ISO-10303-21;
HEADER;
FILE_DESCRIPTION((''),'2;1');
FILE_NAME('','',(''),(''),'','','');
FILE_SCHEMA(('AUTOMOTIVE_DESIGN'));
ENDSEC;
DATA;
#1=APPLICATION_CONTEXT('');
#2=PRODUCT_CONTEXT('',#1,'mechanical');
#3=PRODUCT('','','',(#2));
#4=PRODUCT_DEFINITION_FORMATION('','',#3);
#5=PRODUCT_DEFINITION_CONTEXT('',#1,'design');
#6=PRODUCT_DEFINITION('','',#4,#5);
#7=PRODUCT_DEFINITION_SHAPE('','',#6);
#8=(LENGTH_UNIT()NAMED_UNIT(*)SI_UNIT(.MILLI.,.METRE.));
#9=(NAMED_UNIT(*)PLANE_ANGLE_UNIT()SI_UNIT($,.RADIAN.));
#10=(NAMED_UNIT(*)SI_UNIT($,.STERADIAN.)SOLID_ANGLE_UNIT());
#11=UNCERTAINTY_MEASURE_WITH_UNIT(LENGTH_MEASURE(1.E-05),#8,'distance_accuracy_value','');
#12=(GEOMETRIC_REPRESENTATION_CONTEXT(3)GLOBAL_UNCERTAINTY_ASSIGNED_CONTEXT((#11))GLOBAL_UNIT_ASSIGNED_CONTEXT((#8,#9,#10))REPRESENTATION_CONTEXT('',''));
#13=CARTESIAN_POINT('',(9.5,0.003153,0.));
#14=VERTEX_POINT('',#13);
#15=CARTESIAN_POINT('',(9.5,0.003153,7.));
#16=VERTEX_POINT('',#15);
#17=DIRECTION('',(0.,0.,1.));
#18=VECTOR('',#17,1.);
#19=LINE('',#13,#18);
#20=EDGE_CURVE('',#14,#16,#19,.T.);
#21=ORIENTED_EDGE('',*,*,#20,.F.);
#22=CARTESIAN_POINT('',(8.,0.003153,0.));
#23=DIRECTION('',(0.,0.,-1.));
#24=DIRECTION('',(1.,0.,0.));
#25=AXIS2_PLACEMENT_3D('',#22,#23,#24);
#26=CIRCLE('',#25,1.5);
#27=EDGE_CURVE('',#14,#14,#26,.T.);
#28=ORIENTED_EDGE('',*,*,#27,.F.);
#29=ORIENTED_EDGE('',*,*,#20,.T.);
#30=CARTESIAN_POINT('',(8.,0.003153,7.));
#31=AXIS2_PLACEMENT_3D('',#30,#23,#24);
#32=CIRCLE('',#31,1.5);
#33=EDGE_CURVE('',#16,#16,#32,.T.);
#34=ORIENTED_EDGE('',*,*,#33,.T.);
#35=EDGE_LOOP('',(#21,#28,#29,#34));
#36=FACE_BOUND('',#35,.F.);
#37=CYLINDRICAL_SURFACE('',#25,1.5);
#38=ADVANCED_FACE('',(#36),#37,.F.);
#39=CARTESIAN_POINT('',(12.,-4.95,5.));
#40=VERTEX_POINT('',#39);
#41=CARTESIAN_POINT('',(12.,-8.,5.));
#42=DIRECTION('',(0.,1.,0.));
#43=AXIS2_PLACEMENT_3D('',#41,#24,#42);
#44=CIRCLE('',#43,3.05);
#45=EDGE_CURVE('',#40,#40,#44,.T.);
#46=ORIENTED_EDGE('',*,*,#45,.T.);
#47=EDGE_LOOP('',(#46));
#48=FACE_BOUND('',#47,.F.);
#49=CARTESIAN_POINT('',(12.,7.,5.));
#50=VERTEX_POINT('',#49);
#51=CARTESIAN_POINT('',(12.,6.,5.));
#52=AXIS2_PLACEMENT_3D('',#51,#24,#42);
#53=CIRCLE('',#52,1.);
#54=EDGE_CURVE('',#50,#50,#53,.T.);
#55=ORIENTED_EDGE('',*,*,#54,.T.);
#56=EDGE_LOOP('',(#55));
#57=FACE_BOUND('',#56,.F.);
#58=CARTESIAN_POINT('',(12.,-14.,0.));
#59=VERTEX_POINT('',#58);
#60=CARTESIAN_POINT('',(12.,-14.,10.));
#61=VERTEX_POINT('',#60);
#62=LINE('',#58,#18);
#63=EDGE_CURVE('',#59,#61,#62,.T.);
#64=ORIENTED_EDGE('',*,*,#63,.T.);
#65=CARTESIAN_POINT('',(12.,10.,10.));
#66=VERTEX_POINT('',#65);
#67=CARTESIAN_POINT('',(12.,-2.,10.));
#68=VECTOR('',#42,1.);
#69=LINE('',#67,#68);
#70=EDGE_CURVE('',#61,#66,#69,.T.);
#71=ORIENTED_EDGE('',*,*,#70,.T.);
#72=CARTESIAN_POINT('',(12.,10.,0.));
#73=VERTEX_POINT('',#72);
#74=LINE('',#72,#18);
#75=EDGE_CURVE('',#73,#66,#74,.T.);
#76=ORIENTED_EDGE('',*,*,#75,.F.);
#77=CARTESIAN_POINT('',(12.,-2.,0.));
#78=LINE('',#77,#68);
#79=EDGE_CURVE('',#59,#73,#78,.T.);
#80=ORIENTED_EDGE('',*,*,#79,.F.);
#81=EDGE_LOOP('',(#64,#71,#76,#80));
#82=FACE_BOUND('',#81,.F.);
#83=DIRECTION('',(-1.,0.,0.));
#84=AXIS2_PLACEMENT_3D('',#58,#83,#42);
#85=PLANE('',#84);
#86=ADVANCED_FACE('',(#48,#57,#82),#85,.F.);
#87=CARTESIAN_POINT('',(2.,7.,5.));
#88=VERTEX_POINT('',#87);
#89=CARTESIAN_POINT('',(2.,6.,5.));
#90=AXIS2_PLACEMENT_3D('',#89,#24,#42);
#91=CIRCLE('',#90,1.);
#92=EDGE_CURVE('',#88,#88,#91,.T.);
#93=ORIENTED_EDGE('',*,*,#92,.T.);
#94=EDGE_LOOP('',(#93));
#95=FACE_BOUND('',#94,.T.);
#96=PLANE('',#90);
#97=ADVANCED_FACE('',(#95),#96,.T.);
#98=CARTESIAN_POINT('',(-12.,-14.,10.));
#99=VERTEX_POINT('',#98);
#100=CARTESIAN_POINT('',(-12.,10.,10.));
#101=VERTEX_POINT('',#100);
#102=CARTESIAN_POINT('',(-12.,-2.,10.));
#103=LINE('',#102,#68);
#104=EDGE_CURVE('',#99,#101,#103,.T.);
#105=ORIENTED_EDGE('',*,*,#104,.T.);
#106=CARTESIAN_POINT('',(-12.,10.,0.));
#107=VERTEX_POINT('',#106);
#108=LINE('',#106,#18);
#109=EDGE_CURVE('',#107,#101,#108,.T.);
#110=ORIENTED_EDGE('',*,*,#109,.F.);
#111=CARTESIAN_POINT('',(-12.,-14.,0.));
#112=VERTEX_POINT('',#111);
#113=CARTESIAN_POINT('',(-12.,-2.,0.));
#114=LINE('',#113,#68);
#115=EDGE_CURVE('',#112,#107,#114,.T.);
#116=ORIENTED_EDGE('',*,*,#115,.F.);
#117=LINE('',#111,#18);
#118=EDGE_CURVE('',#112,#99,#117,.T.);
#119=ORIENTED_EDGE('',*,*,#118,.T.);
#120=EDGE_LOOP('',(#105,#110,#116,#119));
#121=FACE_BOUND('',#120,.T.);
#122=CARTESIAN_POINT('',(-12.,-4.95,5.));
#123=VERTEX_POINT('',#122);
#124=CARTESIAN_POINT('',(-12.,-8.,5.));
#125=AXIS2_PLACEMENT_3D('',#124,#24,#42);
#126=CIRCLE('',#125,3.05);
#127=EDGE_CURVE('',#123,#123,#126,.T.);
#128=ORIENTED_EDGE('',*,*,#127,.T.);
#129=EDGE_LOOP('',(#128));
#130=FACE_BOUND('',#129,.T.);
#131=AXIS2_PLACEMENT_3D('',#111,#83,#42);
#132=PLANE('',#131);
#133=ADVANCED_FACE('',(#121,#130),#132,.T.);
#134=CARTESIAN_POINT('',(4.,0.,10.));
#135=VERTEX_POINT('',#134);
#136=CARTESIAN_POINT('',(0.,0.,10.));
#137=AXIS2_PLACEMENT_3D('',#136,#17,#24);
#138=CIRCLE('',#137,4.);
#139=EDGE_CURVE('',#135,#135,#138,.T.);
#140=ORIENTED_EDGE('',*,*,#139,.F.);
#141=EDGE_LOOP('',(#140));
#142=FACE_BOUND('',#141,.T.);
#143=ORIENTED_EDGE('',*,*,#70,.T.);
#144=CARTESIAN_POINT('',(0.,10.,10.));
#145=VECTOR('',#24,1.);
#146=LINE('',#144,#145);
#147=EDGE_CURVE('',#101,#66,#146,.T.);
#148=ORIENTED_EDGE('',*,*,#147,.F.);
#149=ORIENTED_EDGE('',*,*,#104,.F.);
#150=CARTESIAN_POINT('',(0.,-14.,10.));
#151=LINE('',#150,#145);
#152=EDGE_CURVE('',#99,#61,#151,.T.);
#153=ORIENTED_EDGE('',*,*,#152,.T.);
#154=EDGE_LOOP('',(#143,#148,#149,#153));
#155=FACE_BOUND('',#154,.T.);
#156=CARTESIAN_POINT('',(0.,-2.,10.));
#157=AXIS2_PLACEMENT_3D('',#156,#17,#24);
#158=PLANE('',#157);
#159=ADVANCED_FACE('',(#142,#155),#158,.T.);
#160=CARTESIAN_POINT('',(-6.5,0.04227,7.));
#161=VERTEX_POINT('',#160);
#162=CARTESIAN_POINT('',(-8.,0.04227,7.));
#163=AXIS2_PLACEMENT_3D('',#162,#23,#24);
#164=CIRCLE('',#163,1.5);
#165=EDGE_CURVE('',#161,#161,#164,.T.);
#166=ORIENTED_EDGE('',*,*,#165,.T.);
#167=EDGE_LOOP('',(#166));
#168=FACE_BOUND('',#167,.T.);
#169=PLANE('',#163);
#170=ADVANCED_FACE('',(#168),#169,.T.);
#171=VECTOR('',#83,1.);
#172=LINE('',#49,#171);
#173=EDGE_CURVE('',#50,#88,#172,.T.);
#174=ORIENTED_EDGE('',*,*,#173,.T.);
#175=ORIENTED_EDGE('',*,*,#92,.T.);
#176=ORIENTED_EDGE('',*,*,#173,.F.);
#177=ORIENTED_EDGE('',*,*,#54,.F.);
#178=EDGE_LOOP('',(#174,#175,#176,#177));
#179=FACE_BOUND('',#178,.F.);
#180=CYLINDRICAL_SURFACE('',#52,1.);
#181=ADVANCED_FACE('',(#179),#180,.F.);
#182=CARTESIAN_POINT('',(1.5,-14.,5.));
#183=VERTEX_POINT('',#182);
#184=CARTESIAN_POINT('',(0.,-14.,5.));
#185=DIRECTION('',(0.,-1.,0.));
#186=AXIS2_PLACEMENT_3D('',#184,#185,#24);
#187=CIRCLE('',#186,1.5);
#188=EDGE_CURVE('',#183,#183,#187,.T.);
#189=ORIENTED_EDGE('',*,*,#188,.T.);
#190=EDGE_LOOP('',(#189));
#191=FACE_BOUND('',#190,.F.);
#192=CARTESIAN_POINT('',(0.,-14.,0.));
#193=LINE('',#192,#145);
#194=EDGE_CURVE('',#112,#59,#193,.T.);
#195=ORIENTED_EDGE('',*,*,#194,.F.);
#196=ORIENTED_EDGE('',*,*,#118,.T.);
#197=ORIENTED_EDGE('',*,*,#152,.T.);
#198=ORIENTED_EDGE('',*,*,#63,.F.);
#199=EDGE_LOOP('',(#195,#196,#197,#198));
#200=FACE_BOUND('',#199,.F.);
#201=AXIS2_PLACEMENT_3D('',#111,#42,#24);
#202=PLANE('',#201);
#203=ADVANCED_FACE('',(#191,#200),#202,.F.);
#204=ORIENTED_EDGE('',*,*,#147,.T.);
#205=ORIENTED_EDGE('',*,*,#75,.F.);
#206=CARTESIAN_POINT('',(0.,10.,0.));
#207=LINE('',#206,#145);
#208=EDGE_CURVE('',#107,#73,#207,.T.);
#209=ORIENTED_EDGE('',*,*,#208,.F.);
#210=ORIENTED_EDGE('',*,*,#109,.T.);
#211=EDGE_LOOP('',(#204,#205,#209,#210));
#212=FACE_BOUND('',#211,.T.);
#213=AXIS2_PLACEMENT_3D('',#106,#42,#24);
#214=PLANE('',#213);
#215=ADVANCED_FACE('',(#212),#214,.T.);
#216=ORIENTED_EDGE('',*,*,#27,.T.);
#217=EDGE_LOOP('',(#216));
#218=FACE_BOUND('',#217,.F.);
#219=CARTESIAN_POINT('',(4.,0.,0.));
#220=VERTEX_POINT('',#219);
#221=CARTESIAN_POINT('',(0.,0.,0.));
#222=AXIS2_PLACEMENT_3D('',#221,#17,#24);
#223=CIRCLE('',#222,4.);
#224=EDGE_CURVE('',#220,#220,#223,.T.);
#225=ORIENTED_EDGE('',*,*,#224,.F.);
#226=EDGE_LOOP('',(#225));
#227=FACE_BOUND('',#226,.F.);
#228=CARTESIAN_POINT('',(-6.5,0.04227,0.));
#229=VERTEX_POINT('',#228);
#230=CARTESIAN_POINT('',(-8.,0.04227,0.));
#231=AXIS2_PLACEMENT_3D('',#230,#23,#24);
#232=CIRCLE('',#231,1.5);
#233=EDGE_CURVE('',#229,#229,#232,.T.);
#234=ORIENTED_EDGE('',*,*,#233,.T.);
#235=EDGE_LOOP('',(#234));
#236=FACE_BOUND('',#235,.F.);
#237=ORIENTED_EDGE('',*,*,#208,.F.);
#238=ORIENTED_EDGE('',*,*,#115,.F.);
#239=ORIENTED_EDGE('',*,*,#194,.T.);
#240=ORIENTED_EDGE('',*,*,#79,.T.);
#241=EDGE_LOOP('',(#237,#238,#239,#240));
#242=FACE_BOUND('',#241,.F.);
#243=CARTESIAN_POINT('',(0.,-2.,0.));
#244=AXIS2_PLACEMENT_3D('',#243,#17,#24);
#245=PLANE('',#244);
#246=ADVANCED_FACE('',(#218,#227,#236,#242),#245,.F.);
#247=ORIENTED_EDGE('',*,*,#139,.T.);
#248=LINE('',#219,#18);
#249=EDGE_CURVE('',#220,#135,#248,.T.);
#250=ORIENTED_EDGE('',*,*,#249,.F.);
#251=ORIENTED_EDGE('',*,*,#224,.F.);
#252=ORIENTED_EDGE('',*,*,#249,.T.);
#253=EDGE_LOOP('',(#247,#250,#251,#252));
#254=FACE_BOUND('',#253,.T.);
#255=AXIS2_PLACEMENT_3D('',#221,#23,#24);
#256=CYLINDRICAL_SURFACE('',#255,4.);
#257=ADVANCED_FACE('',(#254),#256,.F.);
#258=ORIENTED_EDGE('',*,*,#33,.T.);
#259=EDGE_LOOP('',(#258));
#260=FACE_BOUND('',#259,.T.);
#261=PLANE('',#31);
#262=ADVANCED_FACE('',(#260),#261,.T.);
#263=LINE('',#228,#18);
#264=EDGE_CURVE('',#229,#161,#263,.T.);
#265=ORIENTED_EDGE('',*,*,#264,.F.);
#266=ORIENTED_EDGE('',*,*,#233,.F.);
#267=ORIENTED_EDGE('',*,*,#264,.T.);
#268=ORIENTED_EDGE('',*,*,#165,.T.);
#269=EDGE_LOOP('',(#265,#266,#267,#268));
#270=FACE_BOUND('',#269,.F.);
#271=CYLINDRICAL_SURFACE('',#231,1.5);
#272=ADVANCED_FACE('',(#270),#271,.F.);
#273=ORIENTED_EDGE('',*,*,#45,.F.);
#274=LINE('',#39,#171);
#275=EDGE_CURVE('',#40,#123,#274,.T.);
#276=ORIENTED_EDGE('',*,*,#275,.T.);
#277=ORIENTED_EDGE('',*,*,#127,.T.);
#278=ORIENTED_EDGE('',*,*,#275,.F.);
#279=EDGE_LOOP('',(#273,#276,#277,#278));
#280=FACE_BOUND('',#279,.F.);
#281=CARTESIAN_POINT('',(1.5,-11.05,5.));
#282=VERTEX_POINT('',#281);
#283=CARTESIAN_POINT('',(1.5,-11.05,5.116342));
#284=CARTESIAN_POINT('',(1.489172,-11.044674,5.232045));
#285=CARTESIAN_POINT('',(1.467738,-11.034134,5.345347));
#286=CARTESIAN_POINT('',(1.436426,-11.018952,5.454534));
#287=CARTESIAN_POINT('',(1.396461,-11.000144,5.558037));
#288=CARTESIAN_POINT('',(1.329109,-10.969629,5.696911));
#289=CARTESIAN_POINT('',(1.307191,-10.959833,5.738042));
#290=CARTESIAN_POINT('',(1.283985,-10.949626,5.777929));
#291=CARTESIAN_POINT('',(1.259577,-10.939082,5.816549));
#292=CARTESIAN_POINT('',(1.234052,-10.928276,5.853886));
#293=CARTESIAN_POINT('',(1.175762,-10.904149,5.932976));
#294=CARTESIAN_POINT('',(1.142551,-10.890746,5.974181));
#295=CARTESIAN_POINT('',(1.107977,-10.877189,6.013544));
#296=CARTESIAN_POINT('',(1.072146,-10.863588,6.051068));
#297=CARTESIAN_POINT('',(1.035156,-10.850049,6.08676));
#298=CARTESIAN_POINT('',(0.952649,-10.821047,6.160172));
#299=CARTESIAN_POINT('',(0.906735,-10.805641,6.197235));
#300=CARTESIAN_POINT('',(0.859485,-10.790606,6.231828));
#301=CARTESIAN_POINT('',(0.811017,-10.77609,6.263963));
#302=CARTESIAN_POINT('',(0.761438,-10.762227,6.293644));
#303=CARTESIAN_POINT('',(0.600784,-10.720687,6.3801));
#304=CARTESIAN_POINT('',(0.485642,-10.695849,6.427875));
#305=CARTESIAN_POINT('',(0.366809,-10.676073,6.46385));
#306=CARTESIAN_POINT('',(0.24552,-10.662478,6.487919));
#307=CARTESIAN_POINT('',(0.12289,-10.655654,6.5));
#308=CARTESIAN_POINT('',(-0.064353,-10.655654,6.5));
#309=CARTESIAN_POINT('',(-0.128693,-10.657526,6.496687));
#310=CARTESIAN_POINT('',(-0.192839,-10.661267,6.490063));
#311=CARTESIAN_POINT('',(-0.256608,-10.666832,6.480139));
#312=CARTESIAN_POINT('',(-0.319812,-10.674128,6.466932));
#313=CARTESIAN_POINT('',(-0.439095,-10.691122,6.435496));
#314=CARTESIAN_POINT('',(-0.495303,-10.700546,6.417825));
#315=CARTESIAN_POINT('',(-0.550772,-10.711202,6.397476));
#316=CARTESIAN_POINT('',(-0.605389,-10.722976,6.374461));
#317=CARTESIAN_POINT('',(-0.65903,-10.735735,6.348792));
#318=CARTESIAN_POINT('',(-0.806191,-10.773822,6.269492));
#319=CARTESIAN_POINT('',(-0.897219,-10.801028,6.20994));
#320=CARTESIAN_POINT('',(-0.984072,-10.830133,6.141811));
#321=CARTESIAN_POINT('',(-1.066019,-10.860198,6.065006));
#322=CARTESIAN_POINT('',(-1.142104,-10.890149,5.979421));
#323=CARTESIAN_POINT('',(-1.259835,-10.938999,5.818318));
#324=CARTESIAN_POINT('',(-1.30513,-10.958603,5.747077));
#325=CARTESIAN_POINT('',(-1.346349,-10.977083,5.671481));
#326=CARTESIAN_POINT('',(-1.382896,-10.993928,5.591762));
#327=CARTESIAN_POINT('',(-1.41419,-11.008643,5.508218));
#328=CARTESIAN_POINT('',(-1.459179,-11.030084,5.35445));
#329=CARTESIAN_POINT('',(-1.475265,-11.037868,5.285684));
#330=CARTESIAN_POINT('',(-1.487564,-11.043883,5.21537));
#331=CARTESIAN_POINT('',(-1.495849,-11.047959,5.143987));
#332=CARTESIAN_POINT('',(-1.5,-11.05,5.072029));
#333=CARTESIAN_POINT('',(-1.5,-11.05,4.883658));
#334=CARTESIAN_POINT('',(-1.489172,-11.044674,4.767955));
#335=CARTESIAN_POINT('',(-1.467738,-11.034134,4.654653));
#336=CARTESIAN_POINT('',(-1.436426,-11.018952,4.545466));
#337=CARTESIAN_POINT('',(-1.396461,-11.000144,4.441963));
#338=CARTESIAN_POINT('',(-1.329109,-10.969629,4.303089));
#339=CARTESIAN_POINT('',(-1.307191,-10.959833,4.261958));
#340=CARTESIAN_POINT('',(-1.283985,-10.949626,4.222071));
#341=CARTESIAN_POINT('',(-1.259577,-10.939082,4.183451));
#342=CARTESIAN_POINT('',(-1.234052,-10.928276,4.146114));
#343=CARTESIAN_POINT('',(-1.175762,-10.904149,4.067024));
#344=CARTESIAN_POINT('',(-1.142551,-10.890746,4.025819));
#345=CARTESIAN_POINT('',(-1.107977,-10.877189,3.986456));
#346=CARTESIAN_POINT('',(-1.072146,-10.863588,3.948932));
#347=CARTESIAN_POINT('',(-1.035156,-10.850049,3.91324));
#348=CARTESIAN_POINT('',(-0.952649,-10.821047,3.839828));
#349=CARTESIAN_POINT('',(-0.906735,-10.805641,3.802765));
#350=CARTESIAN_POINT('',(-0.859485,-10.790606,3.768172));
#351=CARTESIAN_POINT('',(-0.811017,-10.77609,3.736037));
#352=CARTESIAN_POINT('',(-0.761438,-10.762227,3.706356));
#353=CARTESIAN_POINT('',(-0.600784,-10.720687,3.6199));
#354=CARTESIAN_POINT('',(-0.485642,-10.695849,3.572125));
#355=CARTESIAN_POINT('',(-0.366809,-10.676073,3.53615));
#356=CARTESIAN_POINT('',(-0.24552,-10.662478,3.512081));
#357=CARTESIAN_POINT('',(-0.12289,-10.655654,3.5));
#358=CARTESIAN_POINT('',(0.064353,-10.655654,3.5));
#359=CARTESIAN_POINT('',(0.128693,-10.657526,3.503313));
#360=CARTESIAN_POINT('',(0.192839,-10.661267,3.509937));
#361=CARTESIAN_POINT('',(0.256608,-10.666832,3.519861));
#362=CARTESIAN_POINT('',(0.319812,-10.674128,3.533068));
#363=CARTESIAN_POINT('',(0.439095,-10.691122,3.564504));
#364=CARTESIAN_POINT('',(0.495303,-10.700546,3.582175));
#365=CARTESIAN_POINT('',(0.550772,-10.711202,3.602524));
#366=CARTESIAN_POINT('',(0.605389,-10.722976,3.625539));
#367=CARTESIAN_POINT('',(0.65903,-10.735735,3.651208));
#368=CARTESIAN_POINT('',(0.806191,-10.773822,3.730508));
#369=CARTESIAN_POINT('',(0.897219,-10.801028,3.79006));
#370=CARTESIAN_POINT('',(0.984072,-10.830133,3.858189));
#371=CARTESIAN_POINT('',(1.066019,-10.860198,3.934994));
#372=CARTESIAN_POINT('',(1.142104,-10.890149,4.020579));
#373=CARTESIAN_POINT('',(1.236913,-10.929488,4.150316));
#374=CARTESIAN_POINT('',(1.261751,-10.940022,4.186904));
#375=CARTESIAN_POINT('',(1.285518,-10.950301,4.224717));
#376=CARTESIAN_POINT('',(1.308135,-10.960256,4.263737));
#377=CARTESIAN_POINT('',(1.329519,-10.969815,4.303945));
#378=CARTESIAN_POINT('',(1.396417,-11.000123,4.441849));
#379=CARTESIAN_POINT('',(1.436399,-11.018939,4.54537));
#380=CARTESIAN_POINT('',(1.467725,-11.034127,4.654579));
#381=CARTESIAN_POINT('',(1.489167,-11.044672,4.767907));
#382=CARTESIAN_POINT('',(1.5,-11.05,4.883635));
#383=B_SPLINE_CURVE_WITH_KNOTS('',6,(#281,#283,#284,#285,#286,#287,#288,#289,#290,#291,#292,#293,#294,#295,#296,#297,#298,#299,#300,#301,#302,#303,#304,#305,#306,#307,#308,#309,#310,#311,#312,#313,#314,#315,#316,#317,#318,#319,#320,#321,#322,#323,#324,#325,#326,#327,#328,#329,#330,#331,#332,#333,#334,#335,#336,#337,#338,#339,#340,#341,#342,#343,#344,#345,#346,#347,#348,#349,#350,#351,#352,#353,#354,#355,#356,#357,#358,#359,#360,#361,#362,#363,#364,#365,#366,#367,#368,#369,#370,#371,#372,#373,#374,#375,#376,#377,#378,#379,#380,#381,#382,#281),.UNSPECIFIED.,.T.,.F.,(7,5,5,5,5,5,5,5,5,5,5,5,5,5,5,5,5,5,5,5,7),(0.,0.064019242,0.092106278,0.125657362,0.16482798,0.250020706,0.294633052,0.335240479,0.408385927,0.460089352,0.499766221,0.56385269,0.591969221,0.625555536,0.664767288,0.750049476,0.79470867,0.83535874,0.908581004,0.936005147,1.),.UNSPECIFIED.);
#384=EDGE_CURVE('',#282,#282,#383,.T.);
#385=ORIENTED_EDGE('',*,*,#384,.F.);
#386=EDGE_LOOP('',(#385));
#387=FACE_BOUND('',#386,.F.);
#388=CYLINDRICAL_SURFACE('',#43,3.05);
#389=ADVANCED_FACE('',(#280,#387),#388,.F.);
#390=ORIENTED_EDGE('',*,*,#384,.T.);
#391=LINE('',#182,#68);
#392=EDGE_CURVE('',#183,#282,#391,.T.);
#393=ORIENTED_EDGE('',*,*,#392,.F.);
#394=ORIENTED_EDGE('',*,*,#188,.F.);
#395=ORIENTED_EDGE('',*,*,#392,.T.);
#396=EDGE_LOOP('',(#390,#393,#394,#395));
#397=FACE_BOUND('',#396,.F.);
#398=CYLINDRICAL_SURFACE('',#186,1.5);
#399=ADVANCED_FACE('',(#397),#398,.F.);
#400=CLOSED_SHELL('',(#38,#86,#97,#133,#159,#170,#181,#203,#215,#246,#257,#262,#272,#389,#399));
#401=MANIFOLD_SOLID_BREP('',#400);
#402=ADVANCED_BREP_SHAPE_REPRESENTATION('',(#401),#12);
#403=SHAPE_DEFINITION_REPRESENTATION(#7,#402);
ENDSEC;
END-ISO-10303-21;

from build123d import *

# Parameters (mm, degrees)
SKETCH_W        = 24
SKETCH_H        = 24
SKETCH_R        = 4
PAD_DEPTH       = 10
SKETCH002_R     = 3.05
POCKET_DEPTH    = 24.001
SKETCH003_R     = 1
POCKET001_DEPTH = 10
SKETCH004_R     = 1.5
POCKET002_DEPTH = 7
SKETCH005_R     = 1.5
POCKET003_DEPTH = 5


with BuildPart() as part:
    # Sketch → Pad (new body)
    with BuildSketch(Plane.XY):
        with Locations((0, -2)):
            Rectangle(SKETCH_W, SKETCH_H)
        Circle(SKETCH_R, mode=Mode.SUBTRACT)
    extrude(amount=PAD_DEPTH)

    # Sketch002 → Pocket (cut, through all)
    with BuildSketch(Plane.YZ.offset(12)):
        with Locations((-8, 5)):
            Circle(SKETCH002_R)
    extrude(amount=-POCKET_DEPTH, mode=Mode.SUBTRACT)

    # Sketch003 (on Face3 of Pocket) → Pocket001 (cut)
    with BuildSketch(Plane.YZ.offset(12)):
        with Locations((6, 5)):
            Circle(SKETCH003_R)
    extrude(amount=-POCKET001_DEPTH, mode=Mode.SUBTRACT)

    # Sketch004 (on Face4 of Pocket001) → Pocket002 (cut)
    with BuildSketch(Plane(origin=(0, 0, 0), x_dir=(1, 0, 0), z_dir=(0, 0, -1))):
        with Locations((8, -0.003153)):
            Circle(SKETCH004_R)
        with Locations((-8, -0.04227)):
            Circle(SKETCH004_R)
    extrude(amount=-POCKET002_DEPTH, mode=Mode.SUBTRACT)

    # Sketch005 (on Face6 of Pocket002) → Pocket003 (cut)
    with BuildSketch(Plane.XZ.offset(14)):
        with Locations((0, 5)):
            Circle(SKETCH005_R)
    extrude(amount=-POCKET003_DEPTH, mode=Mode.SUBTRACT)


solid = part.part
